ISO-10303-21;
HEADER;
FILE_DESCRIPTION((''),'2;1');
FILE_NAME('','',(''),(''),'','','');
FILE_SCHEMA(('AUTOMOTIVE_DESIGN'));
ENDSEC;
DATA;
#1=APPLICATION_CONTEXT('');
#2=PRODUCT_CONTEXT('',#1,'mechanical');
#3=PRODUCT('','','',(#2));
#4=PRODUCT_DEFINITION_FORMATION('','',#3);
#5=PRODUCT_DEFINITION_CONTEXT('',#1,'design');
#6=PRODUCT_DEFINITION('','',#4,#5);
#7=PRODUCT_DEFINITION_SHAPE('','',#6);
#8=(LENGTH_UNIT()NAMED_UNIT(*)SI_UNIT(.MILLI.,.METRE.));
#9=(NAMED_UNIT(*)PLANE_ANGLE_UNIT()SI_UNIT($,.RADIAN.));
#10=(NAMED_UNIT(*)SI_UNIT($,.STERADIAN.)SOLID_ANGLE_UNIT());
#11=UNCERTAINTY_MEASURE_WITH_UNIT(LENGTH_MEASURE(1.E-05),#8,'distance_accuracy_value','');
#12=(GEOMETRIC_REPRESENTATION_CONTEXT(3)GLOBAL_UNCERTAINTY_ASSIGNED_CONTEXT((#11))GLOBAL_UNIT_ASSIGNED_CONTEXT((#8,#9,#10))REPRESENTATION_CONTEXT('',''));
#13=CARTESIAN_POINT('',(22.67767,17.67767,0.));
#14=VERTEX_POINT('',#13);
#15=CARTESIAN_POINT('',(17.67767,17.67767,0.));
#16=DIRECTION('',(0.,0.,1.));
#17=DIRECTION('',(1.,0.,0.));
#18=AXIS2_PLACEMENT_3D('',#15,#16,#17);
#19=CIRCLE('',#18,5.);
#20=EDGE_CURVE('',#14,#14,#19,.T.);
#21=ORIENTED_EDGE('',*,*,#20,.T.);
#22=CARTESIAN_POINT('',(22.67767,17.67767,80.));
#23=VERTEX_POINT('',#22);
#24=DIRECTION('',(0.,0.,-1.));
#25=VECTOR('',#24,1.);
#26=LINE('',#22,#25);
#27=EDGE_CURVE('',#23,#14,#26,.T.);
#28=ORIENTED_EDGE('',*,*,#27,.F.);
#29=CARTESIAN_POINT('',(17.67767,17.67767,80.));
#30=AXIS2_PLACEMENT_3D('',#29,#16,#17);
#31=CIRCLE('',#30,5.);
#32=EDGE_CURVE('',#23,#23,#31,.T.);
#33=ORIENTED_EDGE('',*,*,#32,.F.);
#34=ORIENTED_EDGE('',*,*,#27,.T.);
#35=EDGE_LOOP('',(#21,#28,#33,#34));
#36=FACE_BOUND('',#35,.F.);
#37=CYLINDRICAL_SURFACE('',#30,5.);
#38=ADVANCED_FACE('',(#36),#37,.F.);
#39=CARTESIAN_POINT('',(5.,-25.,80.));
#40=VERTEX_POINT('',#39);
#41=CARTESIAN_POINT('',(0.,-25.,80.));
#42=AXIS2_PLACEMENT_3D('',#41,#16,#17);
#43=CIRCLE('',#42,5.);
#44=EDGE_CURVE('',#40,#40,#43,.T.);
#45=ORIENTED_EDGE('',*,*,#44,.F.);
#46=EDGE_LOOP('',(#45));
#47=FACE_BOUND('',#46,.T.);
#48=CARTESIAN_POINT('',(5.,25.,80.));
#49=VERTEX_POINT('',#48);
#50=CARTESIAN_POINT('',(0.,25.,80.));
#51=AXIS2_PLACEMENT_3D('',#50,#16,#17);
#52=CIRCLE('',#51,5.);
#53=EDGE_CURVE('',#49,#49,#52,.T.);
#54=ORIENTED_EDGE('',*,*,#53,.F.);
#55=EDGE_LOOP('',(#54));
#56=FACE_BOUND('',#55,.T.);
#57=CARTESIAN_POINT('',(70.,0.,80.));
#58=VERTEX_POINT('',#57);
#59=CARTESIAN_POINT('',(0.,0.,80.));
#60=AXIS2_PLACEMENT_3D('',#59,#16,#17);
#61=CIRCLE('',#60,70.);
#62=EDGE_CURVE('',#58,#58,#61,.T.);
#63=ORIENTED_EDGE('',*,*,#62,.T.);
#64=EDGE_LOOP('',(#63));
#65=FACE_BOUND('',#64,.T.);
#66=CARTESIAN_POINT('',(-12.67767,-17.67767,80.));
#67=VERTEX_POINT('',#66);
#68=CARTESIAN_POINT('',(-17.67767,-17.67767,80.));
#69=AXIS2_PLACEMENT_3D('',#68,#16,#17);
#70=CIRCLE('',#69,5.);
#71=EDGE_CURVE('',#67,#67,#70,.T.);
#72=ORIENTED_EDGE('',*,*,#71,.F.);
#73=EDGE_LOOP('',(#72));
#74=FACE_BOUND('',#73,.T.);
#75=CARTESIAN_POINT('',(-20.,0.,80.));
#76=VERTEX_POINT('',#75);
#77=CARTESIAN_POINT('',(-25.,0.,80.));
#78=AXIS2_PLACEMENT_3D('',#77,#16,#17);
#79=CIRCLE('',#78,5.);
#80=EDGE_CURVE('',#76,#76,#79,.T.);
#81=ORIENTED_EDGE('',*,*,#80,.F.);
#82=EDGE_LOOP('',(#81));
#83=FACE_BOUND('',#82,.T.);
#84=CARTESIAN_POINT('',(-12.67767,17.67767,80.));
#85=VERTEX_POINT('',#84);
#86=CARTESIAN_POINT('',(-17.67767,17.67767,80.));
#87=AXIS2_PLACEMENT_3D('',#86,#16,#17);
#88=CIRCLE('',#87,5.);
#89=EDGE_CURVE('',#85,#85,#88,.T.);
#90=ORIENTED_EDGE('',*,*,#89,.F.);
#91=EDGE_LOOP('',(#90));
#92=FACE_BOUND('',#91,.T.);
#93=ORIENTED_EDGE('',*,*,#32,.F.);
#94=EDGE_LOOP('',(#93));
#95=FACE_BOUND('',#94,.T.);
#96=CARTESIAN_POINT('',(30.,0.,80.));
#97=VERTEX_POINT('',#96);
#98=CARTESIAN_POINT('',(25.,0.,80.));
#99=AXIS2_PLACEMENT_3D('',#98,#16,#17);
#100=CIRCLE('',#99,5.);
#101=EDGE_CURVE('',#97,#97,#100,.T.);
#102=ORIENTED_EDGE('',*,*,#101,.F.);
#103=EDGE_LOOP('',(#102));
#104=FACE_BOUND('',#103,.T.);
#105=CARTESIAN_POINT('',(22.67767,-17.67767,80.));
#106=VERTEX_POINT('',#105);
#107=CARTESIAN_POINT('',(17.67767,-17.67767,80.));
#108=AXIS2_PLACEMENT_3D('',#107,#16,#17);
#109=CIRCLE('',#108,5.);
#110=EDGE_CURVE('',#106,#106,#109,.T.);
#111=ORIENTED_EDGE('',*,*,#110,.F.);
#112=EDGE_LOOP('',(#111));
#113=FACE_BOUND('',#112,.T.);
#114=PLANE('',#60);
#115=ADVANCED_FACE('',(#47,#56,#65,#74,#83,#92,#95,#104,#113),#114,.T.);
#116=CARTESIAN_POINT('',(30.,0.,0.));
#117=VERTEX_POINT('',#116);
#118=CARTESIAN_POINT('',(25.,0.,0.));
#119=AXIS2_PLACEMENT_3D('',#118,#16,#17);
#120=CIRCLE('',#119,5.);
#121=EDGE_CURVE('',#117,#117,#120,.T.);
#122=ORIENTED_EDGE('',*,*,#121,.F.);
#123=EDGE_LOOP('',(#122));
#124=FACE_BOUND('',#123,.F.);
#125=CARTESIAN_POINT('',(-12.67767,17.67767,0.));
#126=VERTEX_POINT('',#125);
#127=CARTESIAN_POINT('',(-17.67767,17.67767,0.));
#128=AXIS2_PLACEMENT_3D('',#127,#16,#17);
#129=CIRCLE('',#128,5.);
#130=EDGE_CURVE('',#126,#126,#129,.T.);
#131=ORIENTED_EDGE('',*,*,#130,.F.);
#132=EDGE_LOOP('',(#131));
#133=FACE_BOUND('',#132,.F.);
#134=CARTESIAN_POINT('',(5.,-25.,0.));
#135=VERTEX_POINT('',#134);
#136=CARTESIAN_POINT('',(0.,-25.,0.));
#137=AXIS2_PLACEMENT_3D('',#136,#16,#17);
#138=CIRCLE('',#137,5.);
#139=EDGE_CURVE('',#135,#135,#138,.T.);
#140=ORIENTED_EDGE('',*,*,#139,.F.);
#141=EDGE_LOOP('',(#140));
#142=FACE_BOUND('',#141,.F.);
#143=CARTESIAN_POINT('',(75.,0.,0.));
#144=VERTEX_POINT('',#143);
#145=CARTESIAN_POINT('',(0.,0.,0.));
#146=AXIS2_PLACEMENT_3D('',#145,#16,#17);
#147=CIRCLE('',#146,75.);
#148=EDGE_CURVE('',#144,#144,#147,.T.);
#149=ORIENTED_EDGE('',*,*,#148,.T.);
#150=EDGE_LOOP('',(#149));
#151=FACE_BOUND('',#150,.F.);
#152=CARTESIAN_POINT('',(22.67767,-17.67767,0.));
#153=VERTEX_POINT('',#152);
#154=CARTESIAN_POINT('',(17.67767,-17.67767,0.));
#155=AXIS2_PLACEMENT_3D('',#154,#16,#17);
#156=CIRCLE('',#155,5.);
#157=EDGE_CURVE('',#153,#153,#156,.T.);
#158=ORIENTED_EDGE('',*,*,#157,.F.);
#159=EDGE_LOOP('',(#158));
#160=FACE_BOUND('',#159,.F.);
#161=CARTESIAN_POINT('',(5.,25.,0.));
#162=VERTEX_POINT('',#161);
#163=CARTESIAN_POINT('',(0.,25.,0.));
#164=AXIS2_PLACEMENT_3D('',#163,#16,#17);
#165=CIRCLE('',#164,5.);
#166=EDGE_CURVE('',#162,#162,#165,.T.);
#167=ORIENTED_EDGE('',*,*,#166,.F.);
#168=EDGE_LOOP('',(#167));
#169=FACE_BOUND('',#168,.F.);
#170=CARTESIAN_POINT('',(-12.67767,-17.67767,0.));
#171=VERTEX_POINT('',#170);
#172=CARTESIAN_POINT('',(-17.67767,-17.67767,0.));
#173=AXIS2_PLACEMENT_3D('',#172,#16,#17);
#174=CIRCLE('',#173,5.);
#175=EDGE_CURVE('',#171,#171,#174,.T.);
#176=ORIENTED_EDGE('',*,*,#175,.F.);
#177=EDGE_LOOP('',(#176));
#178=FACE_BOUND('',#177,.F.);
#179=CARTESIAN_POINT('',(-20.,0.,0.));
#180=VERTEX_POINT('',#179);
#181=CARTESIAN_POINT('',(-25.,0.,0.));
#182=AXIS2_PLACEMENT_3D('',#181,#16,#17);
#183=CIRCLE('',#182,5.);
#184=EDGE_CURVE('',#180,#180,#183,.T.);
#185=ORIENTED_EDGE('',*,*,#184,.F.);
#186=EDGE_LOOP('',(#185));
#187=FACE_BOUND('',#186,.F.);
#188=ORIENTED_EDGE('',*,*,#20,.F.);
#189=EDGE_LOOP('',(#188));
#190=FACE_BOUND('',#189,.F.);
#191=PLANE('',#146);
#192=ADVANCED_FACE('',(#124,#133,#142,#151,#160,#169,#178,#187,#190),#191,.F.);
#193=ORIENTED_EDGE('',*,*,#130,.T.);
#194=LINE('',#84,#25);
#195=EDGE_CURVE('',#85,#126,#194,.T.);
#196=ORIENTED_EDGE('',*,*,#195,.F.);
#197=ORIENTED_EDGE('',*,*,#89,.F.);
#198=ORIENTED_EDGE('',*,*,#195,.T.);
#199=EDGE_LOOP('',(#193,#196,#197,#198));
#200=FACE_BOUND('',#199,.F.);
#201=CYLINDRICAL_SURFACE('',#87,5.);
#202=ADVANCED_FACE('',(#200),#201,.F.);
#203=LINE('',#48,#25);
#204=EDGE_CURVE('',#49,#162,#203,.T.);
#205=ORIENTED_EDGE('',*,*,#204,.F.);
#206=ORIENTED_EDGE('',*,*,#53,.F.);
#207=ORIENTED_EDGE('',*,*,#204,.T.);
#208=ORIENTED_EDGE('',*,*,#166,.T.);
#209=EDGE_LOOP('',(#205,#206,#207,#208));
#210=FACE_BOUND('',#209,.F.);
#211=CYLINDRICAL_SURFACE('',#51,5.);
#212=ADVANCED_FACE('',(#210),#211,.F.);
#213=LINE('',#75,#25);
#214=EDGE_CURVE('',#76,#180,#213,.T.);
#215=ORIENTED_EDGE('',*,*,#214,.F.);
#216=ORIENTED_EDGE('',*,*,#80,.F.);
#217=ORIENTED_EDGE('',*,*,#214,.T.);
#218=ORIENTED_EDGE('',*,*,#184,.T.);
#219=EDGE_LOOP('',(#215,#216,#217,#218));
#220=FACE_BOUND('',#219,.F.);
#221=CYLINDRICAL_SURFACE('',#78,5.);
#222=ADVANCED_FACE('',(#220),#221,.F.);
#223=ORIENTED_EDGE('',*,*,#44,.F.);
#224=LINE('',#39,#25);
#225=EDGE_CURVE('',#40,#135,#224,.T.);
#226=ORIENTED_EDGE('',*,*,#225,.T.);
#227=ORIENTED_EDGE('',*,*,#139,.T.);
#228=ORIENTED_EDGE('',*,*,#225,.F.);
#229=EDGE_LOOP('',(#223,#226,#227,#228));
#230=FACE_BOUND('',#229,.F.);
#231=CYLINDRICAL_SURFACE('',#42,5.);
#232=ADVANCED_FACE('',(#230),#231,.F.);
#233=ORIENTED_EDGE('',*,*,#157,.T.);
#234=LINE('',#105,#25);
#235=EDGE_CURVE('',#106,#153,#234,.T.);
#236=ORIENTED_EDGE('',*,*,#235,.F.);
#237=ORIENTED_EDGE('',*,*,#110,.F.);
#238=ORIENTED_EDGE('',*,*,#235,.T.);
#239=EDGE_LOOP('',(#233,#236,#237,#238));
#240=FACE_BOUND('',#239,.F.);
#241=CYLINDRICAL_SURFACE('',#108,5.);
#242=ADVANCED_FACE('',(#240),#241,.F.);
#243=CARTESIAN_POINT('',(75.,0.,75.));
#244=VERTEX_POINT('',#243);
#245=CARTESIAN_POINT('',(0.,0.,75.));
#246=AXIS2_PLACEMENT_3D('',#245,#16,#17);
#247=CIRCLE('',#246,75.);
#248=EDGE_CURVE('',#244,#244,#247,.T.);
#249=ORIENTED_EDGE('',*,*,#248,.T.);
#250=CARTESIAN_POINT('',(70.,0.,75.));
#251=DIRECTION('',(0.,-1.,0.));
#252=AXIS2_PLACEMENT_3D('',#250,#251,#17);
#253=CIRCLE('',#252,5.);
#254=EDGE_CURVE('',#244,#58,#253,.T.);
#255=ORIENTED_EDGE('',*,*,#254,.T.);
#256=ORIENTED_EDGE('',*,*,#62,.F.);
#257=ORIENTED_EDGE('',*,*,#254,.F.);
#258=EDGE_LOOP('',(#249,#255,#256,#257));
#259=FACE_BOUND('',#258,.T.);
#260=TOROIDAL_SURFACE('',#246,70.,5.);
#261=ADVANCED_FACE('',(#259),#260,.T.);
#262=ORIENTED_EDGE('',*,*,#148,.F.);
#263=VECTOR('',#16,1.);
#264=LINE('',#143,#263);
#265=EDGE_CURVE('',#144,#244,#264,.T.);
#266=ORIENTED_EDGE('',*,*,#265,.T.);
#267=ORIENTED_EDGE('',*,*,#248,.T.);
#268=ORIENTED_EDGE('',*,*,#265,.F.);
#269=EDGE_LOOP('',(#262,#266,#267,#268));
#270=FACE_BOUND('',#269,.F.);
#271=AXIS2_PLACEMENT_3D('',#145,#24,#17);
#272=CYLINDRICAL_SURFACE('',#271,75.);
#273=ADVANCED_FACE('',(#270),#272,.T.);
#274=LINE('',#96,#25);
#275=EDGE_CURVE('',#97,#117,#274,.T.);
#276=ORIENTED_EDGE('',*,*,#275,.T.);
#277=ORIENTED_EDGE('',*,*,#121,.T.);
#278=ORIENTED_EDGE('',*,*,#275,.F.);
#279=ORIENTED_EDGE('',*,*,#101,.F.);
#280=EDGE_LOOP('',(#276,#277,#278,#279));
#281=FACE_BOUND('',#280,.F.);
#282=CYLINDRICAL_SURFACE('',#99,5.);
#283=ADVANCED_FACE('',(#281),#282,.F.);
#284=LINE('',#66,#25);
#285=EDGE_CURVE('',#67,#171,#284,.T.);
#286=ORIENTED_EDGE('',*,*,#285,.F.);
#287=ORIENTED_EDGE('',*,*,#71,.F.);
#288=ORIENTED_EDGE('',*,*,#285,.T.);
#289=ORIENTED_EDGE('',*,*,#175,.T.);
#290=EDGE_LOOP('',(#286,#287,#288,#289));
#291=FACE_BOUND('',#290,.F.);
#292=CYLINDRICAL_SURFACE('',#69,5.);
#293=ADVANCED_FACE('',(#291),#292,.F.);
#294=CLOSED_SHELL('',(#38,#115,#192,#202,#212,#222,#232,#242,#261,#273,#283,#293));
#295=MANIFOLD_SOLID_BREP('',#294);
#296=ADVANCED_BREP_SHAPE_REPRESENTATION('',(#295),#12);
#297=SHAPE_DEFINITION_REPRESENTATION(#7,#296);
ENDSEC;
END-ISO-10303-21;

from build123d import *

# Parameters (mm, degrees)
F0_R     = 75
F1_DEPTH = 80
F2_R     = 5
F3_R     = 5
F4_DEPTH = 80


with BuildPart() as f1:
    # F0 (on Top) → F1 (new body)
    with BuildSketch(Plane.XY):
        Circle(F0_R)
    extrude(amount=F1_DEPTH)

    # F2
    f2_edges = [f1.edges().sort_by_distance(p)[0] for p in [
        (-75, 0, 80),
    ]]
    fillet(f2_edges, radius=F2_R)

    # F3 (on face) → F4 (cut, through all)
    with BuildSketch(Plane.XY.offset(80)):
        with Locations((-17.67767, 17.67767)):
            Circle(F3_R)
        with Locations((0, 25)):
            Circle(F3_R)
        with Locations((17.67767, 17.67767)):
            Circle(F3_R)
        with Locations((25, 0)):
            Circle(F3_R)
        with Locations((0, -25)):
            Circle(F3_R)
        with Locations((17.67767, -17.67767)):
            Circle(F3_R)
        with Locations((-17.67767, -17.67767)):
            Circle(F3_R)
        with Locations((-25, 0)):
            Circle(F3_R)
    extrude(amount=-F4_DEPTH, mode=Mode.SUBTRACT)


solid = f1.part
